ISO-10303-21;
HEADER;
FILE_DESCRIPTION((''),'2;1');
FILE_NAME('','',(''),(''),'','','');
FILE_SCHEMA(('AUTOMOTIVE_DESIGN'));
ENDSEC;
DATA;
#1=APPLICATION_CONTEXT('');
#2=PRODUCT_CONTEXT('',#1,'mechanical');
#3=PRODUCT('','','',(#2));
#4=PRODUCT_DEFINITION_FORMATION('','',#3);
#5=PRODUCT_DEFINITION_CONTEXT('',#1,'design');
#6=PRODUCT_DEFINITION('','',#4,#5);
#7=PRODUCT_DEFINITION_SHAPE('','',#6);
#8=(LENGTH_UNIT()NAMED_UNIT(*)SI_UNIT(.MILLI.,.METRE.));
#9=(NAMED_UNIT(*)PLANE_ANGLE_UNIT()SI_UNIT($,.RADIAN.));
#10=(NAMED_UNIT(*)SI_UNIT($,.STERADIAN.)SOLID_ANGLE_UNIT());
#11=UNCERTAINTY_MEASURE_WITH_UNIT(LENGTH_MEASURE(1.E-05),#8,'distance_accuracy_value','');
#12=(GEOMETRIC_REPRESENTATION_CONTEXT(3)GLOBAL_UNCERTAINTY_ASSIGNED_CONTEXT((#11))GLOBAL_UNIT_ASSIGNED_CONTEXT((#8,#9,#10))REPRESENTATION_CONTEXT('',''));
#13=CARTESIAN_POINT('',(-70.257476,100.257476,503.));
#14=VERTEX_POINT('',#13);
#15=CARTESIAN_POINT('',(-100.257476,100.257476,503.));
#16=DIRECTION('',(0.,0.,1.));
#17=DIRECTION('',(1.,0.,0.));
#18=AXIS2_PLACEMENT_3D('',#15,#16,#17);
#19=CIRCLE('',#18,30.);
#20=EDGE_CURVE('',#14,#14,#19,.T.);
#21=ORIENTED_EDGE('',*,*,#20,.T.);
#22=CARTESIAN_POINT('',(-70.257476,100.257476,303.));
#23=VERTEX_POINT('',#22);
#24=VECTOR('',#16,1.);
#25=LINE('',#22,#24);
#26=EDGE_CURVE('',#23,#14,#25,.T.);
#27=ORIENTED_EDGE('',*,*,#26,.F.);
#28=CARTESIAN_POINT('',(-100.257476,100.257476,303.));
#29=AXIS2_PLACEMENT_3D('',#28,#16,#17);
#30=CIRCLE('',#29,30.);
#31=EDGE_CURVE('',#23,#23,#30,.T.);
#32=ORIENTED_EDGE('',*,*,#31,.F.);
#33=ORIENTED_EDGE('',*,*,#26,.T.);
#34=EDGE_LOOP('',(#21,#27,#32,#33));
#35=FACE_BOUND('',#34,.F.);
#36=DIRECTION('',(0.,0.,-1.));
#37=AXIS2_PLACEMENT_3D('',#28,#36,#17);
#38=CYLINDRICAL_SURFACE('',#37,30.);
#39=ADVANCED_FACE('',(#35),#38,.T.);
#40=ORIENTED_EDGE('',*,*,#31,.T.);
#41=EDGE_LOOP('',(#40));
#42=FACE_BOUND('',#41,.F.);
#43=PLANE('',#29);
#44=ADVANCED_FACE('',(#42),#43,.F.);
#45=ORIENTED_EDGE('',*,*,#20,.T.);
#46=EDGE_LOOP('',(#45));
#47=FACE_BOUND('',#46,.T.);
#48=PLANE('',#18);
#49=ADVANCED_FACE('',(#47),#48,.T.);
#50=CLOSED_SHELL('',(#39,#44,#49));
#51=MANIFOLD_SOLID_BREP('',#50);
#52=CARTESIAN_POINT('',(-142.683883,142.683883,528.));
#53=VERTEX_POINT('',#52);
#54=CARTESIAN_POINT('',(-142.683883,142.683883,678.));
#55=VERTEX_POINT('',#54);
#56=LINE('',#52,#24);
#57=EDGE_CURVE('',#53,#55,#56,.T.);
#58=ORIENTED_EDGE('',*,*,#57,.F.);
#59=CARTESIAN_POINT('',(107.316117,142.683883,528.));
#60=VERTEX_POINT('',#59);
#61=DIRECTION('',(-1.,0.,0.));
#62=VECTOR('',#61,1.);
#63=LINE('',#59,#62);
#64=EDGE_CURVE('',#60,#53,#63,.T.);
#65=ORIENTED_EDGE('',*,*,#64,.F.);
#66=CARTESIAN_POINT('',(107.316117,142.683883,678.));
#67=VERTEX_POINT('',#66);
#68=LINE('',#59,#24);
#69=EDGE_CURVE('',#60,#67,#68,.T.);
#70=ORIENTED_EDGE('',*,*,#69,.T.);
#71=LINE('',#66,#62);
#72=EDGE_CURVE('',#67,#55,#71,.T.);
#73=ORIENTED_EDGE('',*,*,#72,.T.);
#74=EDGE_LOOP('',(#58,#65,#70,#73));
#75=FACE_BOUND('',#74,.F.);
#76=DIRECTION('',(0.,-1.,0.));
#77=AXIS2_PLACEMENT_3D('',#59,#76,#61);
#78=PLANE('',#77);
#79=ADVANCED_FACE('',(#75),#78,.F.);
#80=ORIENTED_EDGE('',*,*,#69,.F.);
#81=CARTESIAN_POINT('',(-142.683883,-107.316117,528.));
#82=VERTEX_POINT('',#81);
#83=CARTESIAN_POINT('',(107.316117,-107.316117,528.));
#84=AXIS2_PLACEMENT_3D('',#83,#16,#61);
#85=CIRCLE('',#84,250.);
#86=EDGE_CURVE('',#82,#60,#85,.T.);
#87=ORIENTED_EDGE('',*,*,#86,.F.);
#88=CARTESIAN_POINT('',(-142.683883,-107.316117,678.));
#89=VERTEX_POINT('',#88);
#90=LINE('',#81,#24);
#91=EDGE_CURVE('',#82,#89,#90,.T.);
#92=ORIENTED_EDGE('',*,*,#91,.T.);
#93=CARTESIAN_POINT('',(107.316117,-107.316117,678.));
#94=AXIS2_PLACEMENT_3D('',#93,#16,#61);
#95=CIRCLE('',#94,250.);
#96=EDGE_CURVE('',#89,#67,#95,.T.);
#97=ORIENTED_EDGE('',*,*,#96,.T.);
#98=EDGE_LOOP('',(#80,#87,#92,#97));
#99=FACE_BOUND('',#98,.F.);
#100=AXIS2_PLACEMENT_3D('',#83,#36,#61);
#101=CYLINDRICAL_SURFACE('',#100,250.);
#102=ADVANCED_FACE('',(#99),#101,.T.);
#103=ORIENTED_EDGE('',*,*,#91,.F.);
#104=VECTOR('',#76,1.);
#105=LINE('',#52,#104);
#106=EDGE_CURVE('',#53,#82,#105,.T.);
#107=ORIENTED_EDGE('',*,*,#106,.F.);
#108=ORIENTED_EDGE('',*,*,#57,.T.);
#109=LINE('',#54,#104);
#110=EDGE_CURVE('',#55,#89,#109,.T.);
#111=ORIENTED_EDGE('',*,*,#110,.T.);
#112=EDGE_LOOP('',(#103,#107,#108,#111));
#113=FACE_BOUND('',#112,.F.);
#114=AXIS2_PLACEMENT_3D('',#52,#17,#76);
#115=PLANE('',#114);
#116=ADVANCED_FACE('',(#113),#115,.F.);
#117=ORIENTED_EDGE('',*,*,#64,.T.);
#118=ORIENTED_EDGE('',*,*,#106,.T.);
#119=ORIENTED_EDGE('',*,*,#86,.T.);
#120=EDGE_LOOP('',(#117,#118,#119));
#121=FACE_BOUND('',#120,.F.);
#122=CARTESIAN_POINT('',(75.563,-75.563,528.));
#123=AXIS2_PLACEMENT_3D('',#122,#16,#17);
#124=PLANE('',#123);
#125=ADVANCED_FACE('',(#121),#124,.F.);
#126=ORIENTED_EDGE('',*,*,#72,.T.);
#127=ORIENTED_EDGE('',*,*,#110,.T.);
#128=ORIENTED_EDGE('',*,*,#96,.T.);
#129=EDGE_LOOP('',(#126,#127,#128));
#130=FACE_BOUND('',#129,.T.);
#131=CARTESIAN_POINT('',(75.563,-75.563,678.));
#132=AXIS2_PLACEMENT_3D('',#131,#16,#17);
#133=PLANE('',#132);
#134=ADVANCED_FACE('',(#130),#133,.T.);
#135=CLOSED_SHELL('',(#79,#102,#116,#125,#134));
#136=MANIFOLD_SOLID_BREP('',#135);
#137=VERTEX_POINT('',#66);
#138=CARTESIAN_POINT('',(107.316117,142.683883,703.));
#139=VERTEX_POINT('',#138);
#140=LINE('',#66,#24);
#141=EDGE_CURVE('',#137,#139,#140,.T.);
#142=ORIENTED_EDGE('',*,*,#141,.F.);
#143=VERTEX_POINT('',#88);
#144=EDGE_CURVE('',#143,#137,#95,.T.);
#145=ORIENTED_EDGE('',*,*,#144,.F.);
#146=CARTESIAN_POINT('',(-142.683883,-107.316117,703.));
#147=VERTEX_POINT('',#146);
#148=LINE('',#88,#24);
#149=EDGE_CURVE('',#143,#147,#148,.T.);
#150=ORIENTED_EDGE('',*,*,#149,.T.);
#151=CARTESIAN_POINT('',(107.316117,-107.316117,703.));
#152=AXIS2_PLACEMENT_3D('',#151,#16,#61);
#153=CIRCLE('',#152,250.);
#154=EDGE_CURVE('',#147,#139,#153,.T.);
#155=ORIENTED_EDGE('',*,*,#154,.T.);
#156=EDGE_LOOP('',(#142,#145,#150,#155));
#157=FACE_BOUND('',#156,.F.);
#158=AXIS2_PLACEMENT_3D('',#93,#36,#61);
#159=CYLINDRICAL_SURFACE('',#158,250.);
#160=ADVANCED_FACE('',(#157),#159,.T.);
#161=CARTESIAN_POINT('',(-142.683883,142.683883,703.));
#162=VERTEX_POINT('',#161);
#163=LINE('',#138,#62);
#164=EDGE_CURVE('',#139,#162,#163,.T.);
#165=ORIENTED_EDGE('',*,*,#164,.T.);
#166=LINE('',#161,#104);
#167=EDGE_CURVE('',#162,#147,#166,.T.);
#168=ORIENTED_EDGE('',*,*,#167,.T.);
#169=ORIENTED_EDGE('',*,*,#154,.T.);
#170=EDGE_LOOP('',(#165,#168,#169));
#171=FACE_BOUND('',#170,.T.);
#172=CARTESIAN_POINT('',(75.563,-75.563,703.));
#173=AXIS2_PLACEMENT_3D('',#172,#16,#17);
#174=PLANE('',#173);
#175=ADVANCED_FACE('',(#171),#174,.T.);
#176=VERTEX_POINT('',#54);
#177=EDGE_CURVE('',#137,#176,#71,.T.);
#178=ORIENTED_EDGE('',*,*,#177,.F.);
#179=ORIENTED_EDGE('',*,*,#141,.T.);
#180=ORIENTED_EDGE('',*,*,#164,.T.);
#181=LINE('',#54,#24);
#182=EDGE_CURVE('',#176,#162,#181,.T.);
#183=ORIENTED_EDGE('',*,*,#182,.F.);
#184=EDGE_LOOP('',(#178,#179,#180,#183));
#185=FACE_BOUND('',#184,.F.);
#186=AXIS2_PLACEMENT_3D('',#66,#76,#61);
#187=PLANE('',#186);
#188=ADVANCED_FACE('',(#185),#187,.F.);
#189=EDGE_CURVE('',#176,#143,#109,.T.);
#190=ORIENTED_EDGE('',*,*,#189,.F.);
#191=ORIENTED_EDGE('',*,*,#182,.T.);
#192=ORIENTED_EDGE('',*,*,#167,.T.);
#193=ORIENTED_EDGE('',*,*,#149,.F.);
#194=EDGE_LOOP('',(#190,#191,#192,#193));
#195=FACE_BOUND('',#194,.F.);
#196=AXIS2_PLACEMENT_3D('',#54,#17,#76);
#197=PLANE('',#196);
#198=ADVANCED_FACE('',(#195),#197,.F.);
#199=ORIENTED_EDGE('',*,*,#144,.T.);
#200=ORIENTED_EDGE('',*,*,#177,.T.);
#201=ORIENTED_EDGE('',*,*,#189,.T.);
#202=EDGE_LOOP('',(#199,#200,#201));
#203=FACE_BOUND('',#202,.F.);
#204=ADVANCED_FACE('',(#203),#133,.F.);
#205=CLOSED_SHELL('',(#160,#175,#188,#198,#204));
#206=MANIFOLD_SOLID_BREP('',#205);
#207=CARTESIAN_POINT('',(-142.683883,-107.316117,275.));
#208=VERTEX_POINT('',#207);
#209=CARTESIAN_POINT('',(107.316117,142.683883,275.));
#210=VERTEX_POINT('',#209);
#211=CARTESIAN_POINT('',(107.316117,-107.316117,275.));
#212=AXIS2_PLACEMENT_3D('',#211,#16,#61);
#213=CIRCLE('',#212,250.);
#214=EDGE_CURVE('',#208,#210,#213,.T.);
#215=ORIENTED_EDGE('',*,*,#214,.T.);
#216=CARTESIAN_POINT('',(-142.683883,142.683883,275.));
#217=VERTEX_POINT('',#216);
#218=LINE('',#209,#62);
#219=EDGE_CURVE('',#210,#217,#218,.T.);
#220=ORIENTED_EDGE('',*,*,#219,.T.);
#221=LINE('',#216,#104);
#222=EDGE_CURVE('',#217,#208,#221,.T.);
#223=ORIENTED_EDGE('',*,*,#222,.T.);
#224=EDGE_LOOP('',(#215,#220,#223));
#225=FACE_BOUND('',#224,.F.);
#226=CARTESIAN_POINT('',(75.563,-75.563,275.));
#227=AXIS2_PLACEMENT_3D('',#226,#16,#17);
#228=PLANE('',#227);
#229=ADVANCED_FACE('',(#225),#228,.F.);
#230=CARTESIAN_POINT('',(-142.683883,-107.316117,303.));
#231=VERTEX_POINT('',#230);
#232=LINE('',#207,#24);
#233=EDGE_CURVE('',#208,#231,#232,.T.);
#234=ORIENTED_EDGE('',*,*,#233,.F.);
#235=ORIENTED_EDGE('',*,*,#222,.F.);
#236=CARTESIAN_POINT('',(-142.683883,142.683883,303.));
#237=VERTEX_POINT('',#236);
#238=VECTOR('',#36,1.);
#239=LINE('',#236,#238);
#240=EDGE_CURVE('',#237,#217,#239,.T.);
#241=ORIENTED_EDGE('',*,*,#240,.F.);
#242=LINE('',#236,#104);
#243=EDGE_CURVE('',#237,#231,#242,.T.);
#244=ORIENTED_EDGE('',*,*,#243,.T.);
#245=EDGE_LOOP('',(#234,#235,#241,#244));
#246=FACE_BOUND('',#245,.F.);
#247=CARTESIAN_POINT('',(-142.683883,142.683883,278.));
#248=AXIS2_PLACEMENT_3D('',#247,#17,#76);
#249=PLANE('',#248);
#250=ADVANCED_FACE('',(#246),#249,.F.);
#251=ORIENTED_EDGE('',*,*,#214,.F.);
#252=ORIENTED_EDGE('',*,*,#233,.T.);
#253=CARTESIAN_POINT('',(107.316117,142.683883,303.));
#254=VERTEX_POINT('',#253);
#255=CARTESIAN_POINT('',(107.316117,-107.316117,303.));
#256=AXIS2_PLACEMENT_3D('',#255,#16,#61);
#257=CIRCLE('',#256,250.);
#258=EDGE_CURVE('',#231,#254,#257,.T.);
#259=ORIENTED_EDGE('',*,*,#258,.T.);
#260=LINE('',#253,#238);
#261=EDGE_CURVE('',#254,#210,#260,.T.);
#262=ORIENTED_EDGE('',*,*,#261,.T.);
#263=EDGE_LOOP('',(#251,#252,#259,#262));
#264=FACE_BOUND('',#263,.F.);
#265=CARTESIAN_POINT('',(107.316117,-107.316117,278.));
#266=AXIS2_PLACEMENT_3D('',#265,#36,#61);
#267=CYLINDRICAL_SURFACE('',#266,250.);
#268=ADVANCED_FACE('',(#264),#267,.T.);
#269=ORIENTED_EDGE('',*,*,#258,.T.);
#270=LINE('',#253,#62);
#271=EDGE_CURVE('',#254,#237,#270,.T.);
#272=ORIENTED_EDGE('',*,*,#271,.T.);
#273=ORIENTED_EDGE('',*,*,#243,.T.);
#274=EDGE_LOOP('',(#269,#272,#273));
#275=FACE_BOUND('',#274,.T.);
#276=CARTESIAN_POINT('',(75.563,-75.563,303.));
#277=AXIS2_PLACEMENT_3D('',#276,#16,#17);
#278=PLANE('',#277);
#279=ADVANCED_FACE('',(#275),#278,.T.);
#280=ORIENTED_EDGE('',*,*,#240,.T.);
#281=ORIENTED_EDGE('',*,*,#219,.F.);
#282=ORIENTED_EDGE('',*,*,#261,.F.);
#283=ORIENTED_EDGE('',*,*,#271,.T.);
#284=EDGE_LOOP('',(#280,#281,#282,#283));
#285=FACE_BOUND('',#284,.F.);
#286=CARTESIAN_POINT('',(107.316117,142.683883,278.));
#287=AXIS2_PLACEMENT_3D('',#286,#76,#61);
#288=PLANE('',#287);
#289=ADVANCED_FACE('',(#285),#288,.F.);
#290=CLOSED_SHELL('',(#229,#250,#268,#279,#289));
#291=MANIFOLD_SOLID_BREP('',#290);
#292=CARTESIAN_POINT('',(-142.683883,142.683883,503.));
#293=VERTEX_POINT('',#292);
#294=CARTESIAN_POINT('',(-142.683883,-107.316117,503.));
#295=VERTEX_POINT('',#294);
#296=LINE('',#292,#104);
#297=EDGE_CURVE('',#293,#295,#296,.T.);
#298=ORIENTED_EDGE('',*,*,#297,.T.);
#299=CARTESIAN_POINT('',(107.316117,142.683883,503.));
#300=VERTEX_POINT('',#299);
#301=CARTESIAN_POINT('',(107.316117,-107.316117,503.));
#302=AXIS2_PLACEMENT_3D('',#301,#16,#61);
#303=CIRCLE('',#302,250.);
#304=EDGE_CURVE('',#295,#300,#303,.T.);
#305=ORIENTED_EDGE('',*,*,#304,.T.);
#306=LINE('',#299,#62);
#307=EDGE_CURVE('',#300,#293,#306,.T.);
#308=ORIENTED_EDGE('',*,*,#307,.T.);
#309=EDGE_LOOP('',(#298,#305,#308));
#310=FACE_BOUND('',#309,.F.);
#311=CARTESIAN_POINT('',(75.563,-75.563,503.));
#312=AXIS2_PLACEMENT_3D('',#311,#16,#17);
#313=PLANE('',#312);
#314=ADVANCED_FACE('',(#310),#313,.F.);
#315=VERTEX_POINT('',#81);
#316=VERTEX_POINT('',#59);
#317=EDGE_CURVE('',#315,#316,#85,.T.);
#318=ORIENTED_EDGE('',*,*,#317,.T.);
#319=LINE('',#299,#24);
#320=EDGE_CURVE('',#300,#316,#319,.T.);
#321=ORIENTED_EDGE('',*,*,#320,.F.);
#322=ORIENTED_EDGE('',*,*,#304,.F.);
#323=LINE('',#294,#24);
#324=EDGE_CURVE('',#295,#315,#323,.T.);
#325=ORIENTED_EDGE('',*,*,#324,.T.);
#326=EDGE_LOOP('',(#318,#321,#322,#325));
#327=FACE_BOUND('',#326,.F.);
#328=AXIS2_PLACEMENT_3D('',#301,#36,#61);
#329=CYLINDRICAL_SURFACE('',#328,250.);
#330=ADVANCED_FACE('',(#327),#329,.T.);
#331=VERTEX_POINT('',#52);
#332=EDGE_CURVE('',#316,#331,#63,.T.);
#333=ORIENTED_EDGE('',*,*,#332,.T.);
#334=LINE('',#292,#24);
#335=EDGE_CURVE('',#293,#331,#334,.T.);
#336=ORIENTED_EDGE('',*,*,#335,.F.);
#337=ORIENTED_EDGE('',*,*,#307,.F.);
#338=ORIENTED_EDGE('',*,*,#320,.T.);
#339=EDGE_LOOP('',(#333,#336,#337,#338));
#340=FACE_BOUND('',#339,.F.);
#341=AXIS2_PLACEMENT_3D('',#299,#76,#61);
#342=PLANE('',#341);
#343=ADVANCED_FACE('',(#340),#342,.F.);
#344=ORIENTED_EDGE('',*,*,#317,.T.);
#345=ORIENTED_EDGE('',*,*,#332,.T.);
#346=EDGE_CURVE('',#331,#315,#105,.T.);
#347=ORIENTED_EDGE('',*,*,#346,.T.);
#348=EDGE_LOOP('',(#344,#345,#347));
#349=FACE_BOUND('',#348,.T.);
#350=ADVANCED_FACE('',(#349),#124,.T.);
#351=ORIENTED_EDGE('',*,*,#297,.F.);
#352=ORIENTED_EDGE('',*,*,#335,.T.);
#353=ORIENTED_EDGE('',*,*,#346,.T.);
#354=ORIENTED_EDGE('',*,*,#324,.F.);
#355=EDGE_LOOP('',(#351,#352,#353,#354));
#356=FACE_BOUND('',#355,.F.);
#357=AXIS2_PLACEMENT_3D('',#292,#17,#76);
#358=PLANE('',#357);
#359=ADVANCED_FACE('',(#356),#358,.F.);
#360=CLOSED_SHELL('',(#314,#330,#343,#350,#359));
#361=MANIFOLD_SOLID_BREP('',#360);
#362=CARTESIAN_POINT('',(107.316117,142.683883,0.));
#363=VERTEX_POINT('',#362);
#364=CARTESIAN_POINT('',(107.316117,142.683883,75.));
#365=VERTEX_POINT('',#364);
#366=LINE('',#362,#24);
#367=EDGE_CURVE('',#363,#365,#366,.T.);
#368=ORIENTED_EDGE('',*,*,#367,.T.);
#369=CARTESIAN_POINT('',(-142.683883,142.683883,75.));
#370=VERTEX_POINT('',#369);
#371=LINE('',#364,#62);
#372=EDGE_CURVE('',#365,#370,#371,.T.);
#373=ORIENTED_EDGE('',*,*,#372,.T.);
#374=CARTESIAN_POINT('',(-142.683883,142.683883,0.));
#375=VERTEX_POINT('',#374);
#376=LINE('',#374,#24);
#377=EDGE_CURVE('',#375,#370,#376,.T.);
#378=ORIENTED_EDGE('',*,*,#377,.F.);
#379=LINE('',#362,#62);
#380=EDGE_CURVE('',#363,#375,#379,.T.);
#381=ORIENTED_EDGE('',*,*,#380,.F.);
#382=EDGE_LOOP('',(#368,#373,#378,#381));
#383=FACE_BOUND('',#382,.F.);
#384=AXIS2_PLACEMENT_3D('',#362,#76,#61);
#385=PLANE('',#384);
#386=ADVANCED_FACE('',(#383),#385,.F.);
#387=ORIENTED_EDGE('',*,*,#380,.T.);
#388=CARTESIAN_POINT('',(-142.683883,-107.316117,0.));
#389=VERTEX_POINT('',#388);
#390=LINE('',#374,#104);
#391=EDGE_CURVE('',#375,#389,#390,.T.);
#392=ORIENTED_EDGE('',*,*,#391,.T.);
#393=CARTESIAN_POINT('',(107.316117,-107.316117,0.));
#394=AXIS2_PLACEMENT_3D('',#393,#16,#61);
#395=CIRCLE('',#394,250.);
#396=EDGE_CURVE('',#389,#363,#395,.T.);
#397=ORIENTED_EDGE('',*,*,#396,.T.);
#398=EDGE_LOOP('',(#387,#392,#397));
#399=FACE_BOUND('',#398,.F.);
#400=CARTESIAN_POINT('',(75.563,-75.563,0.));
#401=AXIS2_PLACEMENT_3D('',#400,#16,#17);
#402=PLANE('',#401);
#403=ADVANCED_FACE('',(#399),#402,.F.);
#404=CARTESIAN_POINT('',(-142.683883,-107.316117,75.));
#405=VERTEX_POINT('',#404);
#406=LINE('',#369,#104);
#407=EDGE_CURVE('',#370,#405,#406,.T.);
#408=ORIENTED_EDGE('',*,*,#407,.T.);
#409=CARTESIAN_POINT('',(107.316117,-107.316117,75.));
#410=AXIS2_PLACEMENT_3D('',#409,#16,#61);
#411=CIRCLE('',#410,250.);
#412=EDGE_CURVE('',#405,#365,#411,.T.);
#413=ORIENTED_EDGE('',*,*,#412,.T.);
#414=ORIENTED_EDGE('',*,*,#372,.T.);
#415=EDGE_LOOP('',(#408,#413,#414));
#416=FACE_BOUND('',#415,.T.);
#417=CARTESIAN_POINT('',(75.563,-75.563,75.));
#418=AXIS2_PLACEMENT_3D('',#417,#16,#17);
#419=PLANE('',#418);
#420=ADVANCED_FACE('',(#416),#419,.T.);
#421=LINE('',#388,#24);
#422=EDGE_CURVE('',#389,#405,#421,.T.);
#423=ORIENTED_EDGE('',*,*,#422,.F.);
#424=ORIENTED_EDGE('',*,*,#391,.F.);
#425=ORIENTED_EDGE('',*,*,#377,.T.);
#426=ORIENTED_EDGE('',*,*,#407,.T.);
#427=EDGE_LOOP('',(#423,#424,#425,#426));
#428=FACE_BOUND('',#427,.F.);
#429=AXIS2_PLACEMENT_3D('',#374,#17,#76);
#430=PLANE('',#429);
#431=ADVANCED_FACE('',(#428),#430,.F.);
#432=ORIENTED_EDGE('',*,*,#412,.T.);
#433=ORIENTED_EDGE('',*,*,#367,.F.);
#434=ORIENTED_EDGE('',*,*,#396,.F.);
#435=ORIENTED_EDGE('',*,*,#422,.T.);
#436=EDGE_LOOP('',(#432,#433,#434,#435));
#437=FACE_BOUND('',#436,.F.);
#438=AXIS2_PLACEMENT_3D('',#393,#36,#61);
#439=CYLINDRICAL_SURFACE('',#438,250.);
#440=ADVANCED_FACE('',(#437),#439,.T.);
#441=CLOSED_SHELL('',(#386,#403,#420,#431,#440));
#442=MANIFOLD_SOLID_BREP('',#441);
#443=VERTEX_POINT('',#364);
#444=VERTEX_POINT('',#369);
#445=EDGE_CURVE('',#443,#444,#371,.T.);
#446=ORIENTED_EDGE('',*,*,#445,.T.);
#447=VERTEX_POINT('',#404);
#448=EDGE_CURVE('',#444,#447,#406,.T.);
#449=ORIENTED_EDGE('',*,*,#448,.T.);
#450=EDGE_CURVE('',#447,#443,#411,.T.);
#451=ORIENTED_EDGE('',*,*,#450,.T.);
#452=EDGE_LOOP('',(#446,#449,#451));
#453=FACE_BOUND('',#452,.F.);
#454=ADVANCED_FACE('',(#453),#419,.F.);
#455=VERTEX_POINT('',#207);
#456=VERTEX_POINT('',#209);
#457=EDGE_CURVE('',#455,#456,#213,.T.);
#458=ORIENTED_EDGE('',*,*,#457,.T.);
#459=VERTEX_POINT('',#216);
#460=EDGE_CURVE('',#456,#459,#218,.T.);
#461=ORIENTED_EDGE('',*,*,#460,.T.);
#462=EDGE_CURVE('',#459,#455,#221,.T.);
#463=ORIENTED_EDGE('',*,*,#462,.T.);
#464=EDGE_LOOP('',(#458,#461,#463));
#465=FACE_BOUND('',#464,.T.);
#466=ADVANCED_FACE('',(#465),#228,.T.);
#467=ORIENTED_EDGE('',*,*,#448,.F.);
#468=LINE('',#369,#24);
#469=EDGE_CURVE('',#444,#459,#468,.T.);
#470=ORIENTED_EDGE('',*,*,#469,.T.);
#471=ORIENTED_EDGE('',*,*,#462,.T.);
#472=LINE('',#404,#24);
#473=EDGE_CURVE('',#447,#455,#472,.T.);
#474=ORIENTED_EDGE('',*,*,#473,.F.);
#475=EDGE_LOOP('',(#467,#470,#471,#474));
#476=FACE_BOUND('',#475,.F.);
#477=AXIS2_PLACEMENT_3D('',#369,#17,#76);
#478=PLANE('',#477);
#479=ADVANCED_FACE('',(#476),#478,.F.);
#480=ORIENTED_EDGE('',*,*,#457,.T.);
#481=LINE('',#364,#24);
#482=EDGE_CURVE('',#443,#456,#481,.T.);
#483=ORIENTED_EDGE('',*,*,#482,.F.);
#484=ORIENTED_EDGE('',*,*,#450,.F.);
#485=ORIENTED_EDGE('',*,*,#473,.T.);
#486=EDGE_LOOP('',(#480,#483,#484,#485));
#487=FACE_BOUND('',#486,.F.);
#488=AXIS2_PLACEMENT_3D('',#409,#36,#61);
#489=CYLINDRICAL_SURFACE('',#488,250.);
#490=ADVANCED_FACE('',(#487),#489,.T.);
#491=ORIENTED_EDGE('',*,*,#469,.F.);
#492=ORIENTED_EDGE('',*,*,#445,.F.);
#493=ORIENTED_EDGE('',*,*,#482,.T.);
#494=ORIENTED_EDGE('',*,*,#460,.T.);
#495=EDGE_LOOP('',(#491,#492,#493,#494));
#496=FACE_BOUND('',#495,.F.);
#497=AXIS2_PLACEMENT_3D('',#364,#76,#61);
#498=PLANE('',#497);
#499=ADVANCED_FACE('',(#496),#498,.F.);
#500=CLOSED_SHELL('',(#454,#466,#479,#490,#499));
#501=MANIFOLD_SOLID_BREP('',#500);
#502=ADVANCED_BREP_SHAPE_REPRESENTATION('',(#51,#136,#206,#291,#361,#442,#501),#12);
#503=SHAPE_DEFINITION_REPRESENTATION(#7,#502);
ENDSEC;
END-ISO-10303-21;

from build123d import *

# Parameters (mm, degrees)
F1_DEPTH = 75
F2_DEPTH = 200
F3_DEPTH = 3
F4_DEPTH = 25
F5_START = 200
F5_DEPTH = 25
F6_DEPTH = 150
F7_DEPTH = 25
F8_R     = 30
F9_DEPTH = 200


with BuildPart() as f1:
    # F0 (on Top) → F1 (new body)
    with BuildSketch(Plane.XY):
        with BuildLine():
            Line((-142.6838825658, 142.6838825658), (-142.6838825658, -107.3161174342))
            ThreePointArc((-142.6838825658, -107.3161174342), (284.0928127309, -284.0928127309), (107.3161174342, 142.6838825658))
            Line((107.3161174342, 142.6838825658), (-142.6838825658, 142.6838825658))
        make_face()
    extrude(amount=F1_DEPTH)


with BuildPart() as f2:
    # F2 (new): a face of the model
    f2_faces = [f1.part.faces().sort_by_distance(p)[0] for p in [
        (94.9012628159, -94.9012628159, 75),
    ]]
    extrude(f2_faces, amount=F2_DEPTH)


with BuildPart() as f3:
    # F3 (new): a face of the model
    f3_faces = [f2.part.faces().sort_by_distance(p)[0] for p in [
        (94.9012628159, -94.9012628159, 275),
    ]]
    extrude(f3_faces, amount=F3_DEPTH)

    # F4 (add): a face of the model
    f4_faces = [f3.faces().sort_by_distance(p)[0] for p in [
        (94.9012628159, -94.9012628159, 278),
    ]]
    extrude(f4_faces, amount=F4_DEPTH)


with BuildPart() as f5:
    # F4_face (on face) → F5 (new body)
    with BuildSketch(Plane(origin=(94.9012628159, -94.9012628159, 303), x_dir=(1, 0, 0), z_dir=(0, 0, 1)).offset(F5_START)):
        with BuildLine():
            Line((12.4148546184, 237.5851453816), (-237.5851453816, 237.5851453816))
            Line((-237.5851453816, 237.5851453816), (-237.5851453816, -12.4148546184))
            ThreePointArc((-237.5851453816, -12.4148546184), (189.191549915, -189.191549915), (12.4148546184, 237.5851453816))
        make_face()
    extrude(amount=F5_DEPTH)


with BuildPart() as f6:
    # F6 (new): a face of the model
    f6_faces = [f5.part.faces().sort_by_distance(p)[0] for p in [
        (94.9012628159, -94.9012628159, 528),
    ]]
    extrude(f6_faces, amount=F6_DEPTH)


with BuildPart() as f7:
    # F7 (new): a face of the model
    f7_faces = [f6.part.faces().sort_by_distance(p)[0] for p in [
        (94.9012628159, -94.9012628159, 678),
    ]]
    extrude(f7_faces, amount=F7_DEPTH)


with BuildPart() as f9:
    # F8 (on face) → F9 (new body, through all)
    with BuildSketch(Plane.XY.offset(303)):
        with Locations((-100.2574756946, 100.2574756946)):
            Circle(F8_R)
    extrude(amount=F9_DEPTH)


solid = Compound([f1.part, f2.part, f3.part, f5.part, f6.part, f7.part, f9.part])
